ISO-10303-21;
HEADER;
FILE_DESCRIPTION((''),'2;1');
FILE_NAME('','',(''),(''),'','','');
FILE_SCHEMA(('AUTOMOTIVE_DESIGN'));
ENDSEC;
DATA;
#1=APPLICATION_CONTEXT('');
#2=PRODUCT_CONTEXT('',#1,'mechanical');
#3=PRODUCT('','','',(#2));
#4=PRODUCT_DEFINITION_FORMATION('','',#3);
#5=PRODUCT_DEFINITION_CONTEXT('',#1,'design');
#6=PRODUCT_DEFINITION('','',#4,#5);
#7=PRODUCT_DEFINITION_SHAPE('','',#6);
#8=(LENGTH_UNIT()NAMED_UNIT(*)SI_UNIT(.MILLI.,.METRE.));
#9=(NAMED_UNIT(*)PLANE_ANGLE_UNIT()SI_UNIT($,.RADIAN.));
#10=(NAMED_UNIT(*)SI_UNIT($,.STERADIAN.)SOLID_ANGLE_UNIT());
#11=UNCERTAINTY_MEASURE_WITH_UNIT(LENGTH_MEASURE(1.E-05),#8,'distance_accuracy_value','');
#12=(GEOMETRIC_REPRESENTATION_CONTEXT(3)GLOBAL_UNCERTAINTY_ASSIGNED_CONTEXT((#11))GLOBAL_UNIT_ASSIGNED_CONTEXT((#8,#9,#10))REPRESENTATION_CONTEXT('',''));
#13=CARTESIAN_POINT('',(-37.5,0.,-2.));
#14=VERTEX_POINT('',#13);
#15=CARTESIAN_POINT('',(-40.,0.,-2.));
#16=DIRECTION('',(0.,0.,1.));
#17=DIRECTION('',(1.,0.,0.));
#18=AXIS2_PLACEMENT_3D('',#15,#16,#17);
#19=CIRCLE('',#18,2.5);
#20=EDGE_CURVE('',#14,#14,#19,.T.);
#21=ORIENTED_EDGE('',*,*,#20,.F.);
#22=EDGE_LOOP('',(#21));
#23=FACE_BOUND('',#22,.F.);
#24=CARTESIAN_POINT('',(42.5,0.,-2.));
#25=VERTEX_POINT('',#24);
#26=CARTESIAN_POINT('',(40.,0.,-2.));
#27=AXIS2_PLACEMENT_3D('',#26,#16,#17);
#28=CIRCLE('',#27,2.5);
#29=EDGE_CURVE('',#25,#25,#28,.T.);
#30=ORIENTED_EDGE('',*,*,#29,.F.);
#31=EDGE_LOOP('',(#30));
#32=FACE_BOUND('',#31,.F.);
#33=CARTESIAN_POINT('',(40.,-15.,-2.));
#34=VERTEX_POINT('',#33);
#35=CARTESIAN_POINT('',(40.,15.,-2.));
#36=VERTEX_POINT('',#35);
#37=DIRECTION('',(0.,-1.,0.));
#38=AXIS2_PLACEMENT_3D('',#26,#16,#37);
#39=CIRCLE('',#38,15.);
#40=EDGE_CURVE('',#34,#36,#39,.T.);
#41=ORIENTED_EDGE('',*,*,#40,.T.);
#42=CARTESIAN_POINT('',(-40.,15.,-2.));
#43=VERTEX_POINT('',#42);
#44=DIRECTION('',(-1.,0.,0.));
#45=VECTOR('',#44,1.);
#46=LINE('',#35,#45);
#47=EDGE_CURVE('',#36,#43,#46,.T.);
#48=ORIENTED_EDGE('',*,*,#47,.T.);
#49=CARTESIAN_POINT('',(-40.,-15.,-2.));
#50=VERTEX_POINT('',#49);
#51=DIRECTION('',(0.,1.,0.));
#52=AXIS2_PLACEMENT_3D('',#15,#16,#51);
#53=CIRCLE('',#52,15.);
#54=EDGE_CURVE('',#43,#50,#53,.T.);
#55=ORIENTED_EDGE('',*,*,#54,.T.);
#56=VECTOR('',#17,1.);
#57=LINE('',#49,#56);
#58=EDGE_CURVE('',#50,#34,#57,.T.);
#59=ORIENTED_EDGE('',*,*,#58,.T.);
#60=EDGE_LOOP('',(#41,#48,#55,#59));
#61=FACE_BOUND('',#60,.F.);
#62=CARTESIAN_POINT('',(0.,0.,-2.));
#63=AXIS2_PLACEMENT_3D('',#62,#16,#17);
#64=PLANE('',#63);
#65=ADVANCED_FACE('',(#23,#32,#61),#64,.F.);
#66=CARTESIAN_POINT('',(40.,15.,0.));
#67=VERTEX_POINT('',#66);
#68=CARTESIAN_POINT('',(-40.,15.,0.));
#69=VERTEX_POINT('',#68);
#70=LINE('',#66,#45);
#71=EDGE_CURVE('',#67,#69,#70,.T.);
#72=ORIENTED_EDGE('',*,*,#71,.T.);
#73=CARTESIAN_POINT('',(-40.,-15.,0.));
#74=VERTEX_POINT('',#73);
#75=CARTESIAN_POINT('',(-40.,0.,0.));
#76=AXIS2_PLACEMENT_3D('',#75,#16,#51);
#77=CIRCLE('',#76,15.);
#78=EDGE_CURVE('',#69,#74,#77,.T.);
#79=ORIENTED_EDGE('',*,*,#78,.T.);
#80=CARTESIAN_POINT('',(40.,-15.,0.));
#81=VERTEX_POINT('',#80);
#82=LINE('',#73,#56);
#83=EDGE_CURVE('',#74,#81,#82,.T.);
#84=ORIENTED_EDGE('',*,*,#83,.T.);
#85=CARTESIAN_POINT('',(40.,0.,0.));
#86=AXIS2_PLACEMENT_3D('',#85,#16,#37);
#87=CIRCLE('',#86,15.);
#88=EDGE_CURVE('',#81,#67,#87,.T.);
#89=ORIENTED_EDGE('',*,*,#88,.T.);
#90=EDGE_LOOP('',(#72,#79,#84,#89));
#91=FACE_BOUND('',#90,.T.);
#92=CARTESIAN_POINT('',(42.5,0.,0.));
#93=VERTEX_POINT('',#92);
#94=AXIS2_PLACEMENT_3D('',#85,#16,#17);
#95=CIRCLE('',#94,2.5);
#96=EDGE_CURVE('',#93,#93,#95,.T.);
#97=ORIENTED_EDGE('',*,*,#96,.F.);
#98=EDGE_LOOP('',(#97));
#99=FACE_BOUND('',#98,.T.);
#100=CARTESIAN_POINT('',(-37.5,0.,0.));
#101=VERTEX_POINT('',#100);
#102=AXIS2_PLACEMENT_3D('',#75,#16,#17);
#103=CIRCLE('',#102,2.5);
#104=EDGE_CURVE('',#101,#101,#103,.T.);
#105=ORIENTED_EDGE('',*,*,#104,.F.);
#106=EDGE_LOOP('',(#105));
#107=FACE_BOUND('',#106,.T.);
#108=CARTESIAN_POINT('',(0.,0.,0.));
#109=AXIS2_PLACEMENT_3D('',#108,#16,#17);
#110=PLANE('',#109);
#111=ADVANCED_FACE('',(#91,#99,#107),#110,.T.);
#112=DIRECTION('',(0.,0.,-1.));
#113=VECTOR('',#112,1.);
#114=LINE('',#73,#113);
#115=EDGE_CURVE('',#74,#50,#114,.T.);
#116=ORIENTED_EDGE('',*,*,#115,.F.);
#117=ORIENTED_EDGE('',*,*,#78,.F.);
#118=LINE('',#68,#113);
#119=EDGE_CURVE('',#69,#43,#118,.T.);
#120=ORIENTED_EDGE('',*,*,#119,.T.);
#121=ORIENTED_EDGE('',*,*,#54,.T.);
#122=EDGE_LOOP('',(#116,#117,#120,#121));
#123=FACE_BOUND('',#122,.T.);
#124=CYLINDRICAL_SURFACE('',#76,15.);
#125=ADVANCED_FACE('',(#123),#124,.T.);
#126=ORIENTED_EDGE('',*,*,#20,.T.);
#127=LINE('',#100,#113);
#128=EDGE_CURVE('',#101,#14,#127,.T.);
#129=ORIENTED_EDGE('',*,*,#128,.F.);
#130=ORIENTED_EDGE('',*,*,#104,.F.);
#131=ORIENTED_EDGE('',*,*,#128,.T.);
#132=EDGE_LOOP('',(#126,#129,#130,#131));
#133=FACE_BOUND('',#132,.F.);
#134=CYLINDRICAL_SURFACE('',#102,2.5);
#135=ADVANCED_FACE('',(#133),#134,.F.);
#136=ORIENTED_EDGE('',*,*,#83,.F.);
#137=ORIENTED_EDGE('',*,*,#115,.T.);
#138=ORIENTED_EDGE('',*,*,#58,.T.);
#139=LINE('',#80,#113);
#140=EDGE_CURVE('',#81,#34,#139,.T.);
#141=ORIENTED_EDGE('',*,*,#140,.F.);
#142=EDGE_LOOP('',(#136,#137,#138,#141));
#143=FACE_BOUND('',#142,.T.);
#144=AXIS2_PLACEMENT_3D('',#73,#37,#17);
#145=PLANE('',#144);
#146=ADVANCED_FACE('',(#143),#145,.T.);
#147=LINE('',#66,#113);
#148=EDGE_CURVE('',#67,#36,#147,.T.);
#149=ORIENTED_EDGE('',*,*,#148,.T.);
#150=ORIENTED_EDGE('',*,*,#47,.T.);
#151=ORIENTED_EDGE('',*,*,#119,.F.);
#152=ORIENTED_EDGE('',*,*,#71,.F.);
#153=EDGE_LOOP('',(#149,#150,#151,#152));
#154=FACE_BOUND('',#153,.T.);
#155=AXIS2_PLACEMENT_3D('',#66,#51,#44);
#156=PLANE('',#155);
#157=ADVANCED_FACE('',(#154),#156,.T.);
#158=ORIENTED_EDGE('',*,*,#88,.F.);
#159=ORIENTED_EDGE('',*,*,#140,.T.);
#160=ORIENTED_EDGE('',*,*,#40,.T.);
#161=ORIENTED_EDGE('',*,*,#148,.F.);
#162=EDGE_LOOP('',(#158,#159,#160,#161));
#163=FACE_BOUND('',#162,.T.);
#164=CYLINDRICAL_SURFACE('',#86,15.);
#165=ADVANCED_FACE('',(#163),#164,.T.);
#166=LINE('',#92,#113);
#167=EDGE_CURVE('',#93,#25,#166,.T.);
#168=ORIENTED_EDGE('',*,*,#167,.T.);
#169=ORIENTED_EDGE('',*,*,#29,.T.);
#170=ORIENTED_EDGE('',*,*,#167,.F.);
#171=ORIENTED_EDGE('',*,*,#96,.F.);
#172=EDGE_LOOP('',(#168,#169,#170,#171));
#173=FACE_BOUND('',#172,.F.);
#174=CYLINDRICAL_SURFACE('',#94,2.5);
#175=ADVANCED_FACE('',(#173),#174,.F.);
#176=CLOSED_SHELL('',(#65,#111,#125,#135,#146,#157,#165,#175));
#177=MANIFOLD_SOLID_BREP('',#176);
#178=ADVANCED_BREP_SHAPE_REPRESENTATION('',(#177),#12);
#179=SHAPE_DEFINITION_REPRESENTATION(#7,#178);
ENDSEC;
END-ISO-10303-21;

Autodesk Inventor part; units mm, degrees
ref_plane "YZ Plane" through (0, 0, 0) normal (1, 0, 0) x (0, 1, 0)
ref_plane "XZ Plane" through (0, 0, 0) normal (0, 1, 0) x (-1, 0, 0)
ref_plane "XY Plane" through (0, 0, 0) normal (0, 0, 1) x (1, 0, 0)
sketch "Sketch1" plane through (0, 0, 0) normal (0, 0, 1) x (1, 0, 0)
  line L0 (-40, 0) -> (40, 0) construction
  line L1 (-40, -15) -> (40, -15)
  line L2 (40, 15) -> (-40, 15)
  arc A0 (-40, 15) -> (-40, -15) centre (-40, 0) ccw
  arc A1 (40, -15) -> (40, 15) centre (40, 0) ccw
  circle A2 centre (-40, 0) radius 2.5
  circle A3 centre (40, 0) radius 2.5
  line L3 (0, 15) -> (0, -15) construction
  point P0 (0, 0)
  point P1 (0, 0)
  point P2 (0, 0)
  point P3 (0, 0)
  dimension "d37" = 80
  dimension "d38" = 15
  dimension "d40" = 5
extrude "Plate1" add sketch "Sketch1" against normal blind 2
equation "\"d15\" = Thickness"
equation "\"BendRadius\" = Thickness"
equation "\"BendReliefWidth\" = Thickness"
equation "\"BendReliefDepth\" = 0.5 * Thickness"
equation "\"CornerReliefSize\" = 4 * Thickness"
equation "\"MinimumRemnant\" = 2 * Thickness"
equation "\"TransitionRadius\" = BendRadius"
equation "\"JacobiRadiusSize\" = BendRadius"
equation "\"GapSize\" = Thickness"
equation "\"Thickness\" = 2"
properties part number "ДМФ 01 15 Барабан усилитель борта_CPY"
